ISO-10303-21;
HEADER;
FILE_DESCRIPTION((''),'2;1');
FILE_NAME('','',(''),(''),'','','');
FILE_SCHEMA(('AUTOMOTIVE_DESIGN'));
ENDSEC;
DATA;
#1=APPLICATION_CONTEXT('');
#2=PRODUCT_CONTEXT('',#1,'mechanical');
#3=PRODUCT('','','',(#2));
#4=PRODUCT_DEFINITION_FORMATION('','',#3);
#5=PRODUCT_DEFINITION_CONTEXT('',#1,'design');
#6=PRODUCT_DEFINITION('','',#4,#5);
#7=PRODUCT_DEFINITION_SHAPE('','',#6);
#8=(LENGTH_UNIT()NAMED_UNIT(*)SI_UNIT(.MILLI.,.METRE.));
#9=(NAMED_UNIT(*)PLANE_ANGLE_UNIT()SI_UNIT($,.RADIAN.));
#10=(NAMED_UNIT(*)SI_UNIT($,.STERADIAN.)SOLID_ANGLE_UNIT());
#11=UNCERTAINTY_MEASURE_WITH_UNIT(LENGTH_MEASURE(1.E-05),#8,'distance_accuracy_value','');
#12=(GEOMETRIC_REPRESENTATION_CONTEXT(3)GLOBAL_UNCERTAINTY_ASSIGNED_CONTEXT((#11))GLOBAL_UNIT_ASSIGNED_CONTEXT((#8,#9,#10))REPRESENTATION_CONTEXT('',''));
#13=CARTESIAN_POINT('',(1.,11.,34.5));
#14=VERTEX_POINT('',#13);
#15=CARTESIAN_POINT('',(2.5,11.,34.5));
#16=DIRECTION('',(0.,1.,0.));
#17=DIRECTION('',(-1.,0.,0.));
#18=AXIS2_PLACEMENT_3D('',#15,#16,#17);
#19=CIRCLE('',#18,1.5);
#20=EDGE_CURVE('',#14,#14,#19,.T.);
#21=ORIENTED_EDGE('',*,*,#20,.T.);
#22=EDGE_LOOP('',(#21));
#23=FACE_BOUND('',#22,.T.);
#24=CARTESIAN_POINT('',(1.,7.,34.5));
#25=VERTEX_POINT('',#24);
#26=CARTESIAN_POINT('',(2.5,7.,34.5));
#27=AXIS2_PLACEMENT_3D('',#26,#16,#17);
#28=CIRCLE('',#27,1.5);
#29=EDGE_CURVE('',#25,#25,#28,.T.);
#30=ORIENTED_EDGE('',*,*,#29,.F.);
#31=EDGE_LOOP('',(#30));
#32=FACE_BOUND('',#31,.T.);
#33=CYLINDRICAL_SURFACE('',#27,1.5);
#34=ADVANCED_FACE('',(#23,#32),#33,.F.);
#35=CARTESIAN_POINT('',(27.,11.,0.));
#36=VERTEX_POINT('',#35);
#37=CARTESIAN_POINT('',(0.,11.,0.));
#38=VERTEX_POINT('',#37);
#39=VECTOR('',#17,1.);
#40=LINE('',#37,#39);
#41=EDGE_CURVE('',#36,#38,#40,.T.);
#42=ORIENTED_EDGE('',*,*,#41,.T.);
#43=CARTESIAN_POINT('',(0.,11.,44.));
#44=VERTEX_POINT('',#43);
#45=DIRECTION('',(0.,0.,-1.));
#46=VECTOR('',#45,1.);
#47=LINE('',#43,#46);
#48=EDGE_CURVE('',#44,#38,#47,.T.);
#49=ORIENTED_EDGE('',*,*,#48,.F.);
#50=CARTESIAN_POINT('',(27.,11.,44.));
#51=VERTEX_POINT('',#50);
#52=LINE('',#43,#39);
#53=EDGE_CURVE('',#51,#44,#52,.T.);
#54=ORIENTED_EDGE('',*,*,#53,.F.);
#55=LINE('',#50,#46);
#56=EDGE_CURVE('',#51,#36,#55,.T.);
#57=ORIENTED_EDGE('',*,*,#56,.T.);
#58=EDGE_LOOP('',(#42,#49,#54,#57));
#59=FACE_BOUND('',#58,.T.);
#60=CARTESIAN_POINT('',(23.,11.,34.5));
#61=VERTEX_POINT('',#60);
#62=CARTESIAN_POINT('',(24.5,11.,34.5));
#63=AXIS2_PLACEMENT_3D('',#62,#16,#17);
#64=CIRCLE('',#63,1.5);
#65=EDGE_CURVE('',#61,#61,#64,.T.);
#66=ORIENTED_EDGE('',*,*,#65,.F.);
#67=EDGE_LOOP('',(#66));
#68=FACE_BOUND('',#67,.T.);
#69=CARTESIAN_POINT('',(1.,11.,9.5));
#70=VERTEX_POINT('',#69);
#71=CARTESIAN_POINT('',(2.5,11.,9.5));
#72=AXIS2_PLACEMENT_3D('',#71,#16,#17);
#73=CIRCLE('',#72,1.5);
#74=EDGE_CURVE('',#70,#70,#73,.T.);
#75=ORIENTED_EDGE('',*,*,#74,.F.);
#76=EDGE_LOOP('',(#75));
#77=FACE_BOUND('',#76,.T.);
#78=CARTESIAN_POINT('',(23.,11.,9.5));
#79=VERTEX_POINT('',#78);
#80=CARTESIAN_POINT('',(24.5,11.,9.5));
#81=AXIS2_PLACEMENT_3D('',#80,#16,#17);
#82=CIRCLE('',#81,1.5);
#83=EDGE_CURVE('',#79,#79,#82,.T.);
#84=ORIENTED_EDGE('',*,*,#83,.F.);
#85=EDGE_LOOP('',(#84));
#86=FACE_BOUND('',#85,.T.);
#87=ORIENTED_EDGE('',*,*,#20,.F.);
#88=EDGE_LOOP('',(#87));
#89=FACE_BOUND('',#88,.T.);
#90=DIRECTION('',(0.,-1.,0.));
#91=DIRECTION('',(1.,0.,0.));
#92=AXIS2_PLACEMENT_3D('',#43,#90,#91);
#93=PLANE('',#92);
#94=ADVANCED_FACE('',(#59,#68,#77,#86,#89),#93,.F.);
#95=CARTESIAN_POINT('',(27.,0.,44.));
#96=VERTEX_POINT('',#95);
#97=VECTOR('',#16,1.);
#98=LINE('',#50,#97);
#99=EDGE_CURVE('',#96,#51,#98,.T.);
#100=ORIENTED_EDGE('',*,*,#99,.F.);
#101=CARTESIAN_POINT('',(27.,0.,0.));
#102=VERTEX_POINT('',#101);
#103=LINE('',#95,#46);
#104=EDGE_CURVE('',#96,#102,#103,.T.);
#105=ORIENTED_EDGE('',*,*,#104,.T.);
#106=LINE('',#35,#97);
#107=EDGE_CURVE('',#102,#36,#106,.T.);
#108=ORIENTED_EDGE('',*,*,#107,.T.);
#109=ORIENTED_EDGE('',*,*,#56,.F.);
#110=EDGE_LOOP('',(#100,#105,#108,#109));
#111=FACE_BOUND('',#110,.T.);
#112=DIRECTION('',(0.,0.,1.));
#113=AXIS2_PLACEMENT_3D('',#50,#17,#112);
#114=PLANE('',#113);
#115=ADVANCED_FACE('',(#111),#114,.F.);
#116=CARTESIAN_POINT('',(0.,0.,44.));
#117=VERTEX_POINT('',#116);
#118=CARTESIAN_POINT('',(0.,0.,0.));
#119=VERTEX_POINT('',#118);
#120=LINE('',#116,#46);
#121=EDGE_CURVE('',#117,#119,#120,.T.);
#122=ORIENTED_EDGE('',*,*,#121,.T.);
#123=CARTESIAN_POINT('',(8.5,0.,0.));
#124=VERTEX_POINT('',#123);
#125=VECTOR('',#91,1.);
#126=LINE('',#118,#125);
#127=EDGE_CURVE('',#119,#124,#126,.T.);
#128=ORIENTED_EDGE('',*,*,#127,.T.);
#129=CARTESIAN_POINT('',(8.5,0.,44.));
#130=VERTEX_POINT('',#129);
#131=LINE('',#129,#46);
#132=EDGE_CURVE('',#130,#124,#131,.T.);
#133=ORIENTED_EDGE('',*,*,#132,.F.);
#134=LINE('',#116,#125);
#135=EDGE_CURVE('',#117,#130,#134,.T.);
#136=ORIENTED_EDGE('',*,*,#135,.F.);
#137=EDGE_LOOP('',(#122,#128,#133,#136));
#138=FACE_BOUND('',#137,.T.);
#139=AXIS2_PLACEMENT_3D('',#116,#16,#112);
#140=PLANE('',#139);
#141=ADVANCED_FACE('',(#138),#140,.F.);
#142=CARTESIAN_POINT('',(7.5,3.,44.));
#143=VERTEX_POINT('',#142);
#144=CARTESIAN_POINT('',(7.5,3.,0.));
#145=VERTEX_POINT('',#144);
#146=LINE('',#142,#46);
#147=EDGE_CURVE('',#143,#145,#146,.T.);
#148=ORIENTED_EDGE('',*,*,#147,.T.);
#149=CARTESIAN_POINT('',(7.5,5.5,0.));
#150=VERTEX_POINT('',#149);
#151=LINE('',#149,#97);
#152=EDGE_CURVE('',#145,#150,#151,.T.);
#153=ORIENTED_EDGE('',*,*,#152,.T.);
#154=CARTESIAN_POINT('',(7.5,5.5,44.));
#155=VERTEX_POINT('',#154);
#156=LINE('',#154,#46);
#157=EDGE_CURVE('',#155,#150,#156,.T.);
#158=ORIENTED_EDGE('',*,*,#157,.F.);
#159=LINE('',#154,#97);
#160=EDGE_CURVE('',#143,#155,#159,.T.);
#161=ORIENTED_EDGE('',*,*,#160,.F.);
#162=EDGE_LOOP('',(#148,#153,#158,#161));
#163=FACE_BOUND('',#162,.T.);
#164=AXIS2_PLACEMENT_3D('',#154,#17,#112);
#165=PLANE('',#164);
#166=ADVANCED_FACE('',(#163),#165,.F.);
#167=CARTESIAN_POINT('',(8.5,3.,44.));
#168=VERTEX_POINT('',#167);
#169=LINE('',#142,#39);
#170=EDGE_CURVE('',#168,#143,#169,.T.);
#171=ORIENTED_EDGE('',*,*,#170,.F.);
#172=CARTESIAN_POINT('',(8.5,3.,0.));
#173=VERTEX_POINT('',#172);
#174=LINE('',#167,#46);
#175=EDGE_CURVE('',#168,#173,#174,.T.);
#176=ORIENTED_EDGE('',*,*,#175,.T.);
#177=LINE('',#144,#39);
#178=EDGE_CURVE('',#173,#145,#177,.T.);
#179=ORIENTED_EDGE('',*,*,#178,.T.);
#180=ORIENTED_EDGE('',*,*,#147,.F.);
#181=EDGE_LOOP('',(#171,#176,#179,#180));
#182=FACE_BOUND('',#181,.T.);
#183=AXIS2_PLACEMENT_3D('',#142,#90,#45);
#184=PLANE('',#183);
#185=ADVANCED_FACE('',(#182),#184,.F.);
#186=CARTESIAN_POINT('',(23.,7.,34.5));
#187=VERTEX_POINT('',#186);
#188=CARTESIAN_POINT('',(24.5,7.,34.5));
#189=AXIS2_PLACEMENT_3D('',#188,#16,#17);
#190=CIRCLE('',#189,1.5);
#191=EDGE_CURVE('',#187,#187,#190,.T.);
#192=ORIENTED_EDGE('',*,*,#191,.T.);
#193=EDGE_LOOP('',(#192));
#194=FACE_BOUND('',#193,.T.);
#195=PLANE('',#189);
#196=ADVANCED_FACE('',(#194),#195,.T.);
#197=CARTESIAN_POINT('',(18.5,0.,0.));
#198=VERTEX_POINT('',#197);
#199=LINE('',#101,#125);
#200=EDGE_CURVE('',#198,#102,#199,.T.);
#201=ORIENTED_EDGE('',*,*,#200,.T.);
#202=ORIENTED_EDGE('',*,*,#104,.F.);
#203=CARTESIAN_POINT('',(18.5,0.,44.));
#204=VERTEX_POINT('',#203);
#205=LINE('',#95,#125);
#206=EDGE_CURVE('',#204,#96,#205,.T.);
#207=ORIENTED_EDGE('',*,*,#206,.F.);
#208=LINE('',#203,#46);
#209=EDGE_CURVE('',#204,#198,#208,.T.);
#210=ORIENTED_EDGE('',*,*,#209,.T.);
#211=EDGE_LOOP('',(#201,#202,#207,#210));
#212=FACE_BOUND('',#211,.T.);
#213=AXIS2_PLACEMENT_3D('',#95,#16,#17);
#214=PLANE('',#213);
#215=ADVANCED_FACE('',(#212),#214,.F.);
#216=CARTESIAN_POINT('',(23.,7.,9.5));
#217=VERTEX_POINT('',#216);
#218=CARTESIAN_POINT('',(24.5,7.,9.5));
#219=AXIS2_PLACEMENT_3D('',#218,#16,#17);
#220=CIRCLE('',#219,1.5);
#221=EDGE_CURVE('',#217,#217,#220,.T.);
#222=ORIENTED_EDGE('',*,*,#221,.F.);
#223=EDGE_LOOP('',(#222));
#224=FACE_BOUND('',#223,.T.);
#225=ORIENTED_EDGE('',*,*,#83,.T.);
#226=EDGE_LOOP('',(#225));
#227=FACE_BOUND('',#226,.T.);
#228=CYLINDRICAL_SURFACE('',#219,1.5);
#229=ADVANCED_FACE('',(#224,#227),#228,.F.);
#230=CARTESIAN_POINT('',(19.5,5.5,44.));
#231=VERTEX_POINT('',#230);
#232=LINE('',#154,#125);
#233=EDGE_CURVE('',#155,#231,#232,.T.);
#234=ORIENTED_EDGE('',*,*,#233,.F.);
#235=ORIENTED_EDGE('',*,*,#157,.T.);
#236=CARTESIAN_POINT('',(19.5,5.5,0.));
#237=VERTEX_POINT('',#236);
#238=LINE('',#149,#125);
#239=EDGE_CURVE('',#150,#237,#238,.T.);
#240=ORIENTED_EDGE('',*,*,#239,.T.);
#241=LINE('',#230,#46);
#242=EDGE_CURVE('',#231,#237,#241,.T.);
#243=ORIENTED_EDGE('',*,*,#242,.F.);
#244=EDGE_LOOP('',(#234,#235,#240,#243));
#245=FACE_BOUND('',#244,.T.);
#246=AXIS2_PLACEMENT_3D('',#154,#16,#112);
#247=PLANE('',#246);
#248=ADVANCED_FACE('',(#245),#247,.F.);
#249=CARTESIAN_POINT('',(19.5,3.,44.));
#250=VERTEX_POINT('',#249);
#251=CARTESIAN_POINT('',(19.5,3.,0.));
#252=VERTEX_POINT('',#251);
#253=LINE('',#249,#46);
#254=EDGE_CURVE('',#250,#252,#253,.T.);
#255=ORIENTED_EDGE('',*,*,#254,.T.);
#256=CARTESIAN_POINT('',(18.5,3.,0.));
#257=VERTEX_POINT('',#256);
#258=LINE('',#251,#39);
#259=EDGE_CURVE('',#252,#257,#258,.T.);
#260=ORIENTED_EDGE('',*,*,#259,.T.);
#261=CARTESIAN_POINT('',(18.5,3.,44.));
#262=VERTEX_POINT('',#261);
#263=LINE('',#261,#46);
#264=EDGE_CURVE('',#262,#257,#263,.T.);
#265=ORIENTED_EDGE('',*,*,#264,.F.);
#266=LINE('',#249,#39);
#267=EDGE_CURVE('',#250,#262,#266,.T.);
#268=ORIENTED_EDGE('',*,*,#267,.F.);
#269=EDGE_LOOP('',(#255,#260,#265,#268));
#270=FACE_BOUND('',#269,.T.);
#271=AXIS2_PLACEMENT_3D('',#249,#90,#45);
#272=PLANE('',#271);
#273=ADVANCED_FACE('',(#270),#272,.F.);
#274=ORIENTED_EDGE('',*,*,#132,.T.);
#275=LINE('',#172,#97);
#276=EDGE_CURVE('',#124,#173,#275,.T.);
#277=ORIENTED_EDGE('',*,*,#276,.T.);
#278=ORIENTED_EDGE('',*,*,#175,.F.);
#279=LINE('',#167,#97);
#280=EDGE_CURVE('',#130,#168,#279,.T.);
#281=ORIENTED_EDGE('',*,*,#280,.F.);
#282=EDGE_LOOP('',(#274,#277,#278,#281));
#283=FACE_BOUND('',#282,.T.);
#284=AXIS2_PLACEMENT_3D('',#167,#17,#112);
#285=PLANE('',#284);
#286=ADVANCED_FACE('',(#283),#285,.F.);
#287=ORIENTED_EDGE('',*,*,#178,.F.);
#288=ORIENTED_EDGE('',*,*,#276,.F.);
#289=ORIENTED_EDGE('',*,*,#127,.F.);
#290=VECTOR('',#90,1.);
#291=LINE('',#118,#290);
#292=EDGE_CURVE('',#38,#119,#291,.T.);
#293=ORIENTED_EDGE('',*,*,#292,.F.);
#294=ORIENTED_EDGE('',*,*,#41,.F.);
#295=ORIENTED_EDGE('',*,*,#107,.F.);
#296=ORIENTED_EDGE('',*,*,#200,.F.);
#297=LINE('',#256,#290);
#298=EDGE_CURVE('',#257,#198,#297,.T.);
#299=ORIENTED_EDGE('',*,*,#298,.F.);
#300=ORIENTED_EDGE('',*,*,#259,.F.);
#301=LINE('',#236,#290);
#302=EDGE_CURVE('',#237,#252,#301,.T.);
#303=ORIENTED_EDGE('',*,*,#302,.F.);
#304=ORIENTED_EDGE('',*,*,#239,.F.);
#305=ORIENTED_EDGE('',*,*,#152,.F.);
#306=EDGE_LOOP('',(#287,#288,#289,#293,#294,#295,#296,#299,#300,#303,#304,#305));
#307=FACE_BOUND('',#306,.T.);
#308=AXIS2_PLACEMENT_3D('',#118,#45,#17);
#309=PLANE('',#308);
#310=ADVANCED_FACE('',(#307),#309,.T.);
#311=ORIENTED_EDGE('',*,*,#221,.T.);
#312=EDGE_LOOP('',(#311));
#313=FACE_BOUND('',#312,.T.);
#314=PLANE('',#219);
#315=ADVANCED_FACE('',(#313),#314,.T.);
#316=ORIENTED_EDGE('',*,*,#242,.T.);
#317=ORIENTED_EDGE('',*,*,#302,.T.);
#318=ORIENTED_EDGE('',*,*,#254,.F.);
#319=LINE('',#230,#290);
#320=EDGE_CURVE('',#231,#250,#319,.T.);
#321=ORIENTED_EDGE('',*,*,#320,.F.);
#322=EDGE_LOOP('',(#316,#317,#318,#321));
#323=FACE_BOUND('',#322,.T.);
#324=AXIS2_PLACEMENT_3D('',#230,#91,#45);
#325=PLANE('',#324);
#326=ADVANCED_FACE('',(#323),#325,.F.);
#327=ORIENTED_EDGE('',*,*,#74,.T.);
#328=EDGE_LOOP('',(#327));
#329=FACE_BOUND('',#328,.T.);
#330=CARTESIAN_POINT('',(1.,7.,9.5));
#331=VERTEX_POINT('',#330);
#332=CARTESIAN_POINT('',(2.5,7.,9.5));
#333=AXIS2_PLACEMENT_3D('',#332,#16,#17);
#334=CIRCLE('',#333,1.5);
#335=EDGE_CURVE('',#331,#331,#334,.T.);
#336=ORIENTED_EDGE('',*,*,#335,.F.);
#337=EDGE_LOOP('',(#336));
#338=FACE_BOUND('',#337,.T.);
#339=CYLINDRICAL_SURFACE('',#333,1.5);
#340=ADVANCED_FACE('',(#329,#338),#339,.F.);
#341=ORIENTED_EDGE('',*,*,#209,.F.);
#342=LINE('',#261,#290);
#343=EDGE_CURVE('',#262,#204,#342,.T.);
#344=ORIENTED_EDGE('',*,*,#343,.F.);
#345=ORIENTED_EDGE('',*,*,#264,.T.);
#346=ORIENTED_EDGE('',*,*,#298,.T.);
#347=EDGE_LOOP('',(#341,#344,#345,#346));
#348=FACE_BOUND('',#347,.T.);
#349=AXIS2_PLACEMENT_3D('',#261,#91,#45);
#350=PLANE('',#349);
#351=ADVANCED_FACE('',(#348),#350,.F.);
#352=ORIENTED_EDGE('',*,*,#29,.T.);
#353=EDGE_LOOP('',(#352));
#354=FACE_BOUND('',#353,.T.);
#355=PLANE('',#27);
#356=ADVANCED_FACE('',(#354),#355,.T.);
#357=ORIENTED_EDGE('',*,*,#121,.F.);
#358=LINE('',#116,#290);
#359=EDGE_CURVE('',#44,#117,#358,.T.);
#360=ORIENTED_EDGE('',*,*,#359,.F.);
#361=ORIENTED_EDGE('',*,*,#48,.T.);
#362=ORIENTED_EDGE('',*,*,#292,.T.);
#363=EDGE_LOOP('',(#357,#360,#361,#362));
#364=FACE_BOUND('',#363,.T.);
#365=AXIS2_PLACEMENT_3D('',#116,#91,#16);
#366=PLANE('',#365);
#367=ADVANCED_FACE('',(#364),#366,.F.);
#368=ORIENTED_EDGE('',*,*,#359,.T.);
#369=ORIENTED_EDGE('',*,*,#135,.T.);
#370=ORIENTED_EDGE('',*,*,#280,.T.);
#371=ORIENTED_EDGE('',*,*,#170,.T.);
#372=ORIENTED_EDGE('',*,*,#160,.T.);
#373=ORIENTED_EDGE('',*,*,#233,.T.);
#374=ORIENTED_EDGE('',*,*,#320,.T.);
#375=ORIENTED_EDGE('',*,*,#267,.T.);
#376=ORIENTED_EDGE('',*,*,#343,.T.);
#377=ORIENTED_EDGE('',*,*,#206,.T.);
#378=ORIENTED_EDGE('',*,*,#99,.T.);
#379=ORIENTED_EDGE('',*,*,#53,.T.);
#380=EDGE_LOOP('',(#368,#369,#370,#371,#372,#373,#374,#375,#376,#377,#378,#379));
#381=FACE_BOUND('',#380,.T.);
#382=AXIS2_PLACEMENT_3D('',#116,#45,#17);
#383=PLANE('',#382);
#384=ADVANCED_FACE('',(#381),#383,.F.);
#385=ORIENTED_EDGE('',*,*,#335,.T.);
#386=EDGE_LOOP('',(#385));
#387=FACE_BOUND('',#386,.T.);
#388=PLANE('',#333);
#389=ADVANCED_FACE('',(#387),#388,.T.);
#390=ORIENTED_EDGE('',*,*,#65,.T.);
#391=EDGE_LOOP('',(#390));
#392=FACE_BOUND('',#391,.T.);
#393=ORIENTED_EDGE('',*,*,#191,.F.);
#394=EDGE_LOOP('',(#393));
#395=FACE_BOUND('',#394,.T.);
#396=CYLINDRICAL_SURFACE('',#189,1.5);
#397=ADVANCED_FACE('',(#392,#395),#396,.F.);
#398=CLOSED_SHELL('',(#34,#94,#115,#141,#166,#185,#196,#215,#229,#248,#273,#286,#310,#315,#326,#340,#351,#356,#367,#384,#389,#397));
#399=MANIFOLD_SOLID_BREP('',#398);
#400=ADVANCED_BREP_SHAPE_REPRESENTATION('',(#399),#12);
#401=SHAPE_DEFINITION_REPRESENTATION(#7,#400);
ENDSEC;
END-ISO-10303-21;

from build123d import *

# Parameters (mm, degrees)
BOSS_EXTRUDE1_DEPTH = 44
SKETCH2_R           = 1.5
CUT_EXTRUDE1_DEPTH  = 4


with BuildPart() as part:
    # Sketch1 → Boss-Extrude1 (new body)
    with BuildSketch(Plane.XY):
        Polygon((19.5, 5.5), (19.5, 3), (18.5, 3), (18.5, 0), (27, 0), (27, 11), (0, 11), (0, 0), (8.5, 0), (8.5, 3), (7.5, 3), (7.5, 5.5), align=None)
    extrude(amount=BOSS_EXTRUDE1_DEPTH)

    # Sketch2 → Cut-Extrude1 (cut)
    with BuildSketch(Plane(origin=(0, 11, 0), x_dir=(1, 0, 0), z_dir=(0, 1, 0))):
        with Locations(Location((2.5, -9.5, 0), (0, 0, 180))):
            Circle(SKETCH2_R)
        with Locations(Location((24.5, -9.5, 0), (0, 0, 180))):
            Circle(SKETCH2_R)
        with Locations(Location((24.5, -34.5, 0), (0, 0, 180))):
            Circle(SKETCH2_R)
        with Locations(Location((2.5, -34.5, 0), (0, 0, 180))):
            Circle(SKETCH2_R)
    extrude(amount=-CUT_EXTRUDE1_DEPTH, mode=Mode.SUBTRACT)


solid = part.part
